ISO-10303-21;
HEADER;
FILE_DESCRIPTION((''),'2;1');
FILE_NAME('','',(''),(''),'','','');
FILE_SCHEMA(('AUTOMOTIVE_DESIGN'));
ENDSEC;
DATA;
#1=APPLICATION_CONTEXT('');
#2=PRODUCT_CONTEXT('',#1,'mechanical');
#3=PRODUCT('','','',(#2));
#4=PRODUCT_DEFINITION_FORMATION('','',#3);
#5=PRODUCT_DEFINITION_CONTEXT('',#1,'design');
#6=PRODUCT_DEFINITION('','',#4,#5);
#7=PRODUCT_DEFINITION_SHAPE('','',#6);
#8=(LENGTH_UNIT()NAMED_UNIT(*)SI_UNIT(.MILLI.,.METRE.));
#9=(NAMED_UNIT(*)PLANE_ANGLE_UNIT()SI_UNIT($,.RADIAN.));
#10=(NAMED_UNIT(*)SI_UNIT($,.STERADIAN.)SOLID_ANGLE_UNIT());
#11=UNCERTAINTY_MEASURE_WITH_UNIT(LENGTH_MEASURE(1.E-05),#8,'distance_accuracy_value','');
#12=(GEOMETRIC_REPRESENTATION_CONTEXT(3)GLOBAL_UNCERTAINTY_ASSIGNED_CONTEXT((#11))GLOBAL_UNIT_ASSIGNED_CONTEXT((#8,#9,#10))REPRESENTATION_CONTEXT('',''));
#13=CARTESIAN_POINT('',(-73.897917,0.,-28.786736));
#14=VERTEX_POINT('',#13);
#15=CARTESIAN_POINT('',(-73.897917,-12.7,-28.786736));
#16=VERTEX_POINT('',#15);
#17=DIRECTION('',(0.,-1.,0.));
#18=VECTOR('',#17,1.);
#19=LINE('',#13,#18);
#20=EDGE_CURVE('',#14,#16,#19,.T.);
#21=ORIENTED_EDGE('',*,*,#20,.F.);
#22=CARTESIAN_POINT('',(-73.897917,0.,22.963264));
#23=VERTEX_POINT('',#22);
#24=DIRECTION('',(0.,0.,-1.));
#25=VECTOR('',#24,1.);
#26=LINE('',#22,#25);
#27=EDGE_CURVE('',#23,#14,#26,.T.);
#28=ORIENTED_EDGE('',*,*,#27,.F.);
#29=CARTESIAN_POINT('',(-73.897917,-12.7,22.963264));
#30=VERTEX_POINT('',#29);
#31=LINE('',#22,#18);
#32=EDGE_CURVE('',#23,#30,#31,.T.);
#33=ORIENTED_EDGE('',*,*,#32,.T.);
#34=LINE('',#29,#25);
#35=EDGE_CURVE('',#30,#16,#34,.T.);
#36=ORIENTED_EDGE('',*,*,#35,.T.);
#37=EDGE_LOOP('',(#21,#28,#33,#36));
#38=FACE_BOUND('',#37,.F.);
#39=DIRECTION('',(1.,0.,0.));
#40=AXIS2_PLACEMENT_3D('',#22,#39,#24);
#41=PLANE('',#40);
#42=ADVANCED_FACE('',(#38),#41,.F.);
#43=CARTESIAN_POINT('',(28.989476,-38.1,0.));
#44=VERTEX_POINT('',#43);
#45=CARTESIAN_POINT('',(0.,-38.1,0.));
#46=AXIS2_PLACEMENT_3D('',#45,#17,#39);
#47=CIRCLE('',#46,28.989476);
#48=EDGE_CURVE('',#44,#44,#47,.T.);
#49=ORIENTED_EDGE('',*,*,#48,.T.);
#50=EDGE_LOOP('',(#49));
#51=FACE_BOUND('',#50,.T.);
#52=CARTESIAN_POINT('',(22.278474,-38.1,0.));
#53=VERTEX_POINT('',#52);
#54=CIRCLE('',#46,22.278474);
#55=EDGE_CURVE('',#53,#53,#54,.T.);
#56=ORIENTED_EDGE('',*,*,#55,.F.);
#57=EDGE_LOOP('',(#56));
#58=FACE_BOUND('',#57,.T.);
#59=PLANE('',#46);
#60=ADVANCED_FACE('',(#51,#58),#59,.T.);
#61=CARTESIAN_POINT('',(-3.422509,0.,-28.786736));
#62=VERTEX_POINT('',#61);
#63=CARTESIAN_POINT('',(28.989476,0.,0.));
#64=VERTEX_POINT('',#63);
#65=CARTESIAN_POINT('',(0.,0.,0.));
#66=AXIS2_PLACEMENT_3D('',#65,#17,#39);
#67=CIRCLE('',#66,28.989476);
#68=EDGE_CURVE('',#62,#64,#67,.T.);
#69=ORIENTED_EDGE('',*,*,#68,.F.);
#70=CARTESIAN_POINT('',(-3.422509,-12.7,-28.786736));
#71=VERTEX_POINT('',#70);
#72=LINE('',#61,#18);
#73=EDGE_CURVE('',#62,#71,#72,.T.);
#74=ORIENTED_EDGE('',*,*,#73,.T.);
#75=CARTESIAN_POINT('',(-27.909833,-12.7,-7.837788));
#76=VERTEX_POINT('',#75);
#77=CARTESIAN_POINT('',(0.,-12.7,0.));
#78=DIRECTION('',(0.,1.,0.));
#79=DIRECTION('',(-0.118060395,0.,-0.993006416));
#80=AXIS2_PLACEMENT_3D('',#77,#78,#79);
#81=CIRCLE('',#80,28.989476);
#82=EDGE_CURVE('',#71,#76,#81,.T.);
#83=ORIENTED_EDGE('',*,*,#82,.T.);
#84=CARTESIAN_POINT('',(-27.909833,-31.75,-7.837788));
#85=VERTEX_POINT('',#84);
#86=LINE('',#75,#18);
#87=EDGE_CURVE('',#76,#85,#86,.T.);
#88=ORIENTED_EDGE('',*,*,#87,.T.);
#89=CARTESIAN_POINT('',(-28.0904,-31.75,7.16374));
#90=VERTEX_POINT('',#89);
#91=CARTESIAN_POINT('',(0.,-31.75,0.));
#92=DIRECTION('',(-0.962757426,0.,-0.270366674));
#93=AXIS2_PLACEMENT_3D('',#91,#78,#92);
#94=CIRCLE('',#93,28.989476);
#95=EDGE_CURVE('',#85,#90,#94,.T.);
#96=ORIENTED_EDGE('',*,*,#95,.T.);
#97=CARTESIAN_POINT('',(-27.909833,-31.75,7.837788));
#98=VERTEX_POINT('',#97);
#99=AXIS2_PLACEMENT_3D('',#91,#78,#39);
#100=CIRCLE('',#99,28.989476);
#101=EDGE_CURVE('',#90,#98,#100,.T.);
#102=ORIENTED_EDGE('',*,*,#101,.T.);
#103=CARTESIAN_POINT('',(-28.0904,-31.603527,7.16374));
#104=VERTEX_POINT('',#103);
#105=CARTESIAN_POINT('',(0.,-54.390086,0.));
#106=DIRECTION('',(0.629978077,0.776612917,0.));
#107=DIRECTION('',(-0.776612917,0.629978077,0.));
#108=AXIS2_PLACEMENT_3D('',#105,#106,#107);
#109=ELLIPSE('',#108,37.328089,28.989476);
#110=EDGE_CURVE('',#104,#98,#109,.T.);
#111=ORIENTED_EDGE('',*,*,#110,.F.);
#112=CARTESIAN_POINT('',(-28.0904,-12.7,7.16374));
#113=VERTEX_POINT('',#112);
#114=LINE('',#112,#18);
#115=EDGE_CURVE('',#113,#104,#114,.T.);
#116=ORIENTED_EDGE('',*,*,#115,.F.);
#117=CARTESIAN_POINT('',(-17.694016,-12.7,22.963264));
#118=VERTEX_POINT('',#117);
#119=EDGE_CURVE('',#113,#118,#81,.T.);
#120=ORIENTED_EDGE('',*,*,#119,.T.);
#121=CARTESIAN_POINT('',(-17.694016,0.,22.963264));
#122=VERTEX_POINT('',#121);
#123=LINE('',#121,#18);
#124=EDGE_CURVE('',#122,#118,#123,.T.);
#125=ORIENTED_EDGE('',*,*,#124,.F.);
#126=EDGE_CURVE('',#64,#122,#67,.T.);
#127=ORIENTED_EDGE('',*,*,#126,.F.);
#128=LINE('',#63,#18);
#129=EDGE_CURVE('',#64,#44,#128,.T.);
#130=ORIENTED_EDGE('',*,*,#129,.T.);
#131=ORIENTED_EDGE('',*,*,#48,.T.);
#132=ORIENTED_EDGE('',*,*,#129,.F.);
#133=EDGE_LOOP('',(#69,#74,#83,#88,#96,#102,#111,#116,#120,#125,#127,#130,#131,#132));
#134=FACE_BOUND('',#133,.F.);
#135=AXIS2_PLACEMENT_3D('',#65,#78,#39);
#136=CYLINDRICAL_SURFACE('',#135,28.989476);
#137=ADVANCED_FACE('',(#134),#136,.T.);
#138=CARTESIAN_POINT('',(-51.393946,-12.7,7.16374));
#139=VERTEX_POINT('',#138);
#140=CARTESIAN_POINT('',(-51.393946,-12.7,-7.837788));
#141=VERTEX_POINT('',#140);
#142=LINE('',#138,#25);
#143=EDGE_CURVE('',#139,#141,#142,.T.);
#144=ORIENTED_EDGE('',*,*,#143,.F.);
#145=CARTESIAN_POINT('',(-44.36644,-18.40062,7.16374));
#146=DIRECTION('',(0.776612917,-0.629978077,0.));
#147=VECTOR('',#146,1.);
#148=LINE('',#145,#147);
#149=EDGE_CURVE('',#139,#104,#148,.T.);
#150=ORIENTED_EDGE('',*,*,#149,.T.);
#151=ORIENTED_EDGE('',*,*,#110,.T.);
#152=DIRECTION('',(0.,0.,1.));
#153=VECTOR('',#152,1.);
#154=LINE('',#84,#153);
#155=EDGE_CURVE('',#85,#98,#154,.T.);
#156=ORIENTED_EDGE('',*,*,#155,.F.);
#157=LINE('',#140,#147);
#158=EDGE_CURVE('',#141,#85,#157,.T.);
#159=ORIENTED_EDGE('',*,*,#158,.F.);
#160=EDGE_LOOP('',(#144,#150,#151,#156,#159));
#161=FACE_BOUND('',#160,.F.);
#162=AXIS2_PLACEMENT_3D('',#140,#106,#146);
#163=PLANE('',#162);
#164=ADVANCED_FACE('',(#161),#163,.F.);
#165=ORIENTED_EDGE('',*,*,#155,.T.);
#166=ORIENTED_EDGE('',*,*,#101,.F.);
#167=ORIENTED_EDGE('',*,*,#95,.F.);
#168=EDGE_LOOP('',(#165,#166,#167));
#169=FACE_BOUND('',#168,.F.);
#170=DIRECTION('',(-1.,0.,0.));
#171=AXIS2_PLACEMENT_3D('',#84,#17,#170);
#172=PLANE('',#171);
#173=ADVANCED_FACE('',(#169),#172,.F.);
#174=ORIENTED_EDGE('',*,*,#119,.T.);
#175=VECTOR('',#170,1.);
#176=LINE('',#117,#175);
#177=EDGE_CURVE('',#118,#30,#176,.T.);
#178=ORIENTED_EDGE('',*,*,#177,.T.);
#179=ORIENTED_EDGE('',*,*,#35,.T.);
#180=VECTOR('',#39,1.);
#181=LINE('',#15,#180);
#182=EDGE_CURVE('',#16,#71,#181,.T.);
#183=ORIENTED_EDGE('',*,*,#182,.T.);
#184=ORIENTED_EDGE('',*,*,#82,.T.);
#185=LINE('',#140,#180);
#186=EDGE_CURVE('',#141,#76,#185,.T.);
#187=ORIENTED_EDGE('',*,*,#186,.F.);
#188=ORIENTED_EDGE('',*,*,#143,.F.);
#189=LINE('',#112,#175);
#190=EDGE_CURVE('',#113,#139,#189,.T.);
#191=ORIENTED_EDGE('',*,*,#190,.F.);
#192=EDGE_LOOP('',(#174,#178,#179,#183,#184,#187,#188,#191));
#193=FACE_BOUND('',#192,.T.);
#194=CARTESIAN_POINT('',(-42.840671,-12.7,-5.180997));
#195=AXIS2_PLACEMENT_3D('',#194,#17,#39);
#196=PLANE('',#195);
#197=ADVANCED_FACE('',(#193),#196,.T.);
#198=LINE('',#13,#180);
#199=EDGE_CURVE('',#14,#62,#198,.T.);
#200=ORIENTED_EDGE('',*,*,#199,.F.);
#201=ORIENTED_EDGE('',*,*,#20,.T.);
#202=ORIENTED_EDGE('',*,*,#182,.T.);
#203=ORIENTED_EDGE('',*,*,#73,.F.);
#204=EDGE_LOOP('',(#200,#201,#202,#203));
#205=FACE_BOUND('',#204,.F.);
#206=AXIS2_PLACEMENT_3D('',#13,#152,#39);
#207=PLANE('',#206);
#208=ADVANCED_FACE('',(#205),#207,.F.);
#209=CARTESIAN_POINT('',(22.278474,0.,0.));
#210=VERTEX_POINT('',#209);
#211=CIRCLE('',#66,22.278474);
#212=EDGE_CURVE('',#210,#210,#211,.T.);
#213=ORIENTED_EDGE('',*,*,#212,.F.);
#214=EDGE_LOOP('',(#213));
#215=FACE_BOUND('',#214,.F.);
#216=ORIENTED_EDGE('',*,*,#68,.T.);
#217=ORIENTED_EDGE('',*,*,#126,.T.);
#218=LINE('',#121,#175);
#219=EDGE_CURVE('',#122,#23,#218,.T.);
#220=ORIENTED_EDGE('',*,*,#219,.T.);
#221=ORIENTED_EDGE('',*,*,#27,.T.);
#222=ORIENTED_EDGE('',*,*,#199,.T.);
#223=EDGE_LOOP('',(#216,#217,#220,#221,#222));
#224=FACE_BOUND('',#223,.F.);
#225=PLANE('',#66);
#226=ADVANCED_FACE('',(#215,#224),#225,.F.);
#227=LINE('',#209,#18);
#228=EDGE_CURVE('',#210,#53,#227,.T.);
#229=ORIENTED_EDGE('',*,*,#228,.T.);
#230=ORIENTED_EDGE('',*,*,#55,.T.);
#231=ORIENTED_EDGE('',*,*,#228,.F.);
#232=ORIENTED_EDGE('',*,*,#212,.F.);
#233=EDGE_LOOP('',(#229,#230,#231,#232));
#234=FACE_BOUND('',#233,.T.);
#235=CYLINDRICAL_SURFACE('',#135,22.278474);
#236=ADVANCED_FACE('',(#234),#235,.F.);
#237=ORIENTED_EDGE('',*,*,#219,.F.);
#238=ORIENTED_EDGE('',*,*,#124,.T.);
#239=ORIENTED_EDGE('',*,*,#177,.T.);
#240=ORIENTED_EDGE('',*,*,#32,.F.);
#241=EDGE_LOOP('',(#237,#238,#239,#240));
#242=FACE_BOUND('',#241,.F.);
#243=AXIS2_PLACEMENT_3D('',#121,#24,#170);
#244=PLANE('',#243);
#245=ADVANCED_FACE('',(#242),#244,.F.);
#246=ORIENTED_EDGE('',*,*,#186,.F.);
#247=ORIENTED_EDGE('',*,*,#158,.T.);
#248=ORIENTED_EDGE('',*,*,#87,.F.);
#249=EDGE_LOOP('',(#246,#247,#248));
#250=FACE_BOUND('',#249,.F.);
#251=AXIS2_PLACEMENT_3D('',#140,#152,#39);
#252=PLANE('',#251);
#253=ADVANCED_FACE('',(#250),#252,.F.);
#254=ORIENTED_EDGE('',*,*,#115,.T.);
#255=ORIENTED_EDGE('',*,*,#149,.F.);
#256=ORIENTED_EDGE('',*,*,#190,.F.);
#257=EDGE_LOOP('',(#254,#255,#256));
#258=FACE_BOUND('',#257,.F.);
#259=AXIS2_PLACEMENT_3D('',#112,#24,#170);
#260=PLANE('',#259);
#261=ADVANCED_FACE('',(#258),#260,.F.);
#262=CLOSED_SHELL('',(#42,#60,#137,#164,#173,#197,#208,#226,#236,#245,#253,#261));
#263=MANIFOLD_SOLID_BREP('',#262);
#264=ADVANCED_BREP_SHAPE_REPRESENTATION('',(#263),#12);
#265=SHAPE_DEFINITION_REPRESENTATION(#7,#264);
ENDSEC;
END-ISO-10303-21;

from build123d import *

# Parameters (mm, degrees)
F0_R     = 22.27847408
F1_DEPTH = 38.1
F2_DEPTH = 12.7
F4_DEPTH = 19.05
F6_DEPTH = 25.4


with BuildPart() as f1:
    # F0 (on Front) → F1 (new body)
    with BuildSketch(Plane.XZ):
        with BuildLine():
            ThreePointArc((-3.4225089728, -28.7867356092), (19.2506230187, -21.674944708), (28.9894759301, 0))
            ThreePointArc((28.9894759301, 0), (12.795496455, 26.012785033), (-17.6940161623, 22.9632642878))
            ThreePointArc((-17.6940161623, 22.9632642878), (-27.9462435898, -7.7069568522), (-3.4225089728, -28.7867356092))
        make_face()
        Circle(F0_R, mode=Mode.SUBTRACT)
    extrude(amount=F1_DEPTH)

    # F0 (on Front) → F2 (join)
    with BuildSketch(Plane.XZ):
        with BuildLine():
            ThreePointArc((-3.4225089728, -28.7867356092), (-27.9462435898, -7.7069568522), (-17.6940161623, 22.9632642878))
            Line((-17.6940161623, 22.9632642878), (-73.8979172606, 22.9632642878))
            Line((-73.8979172606, 22.9632642878), (-73.8979172606, -28.7867356092))
            Line((-73.8979172606, -28.7867356092), (-3.4225089728, -28.7867356092))
        make_face()
    extrude(amount=F2_DEPTH)

    # F3 (on face) → F4 (join)
    with BuildSketch(Plane.XZ.offset(12.7)):
        with BuildLine():
            ThreePointArc((-27.9098332278, -7.8377882019), (-28.9873761892, -0.3489073921), (-28.0903995533, 7.1637397799))
            Line((-28.0903995533, 7.1637397799), (-51.3939457674, 7.1637397799))
            Line((-51.3939457674, 7.1637397799), (-51.3939457674, -7.8377882019))
            Line((-51.3939457674, -7.8377882019), (-27.9098332278, -7.8377882019))
        make_face()
    extrude(amount=F4_DEPTH)

    # F5 (on face) → F6 (cut)
    with BuildSketch(Plane(origin=(0, 0, -7.8377882019), x_dir=(1, 0, 0), z_dir=(0, 0, -1))):
        Polygon((-51.3939457674, 31.75), (-51.3939457674, 12.7), (-27.9098332278, 31.75), align=None)
    extrude(amount=-F6_DEPTH, mode=Mode.SUBTRACT)


solid = f1.part
